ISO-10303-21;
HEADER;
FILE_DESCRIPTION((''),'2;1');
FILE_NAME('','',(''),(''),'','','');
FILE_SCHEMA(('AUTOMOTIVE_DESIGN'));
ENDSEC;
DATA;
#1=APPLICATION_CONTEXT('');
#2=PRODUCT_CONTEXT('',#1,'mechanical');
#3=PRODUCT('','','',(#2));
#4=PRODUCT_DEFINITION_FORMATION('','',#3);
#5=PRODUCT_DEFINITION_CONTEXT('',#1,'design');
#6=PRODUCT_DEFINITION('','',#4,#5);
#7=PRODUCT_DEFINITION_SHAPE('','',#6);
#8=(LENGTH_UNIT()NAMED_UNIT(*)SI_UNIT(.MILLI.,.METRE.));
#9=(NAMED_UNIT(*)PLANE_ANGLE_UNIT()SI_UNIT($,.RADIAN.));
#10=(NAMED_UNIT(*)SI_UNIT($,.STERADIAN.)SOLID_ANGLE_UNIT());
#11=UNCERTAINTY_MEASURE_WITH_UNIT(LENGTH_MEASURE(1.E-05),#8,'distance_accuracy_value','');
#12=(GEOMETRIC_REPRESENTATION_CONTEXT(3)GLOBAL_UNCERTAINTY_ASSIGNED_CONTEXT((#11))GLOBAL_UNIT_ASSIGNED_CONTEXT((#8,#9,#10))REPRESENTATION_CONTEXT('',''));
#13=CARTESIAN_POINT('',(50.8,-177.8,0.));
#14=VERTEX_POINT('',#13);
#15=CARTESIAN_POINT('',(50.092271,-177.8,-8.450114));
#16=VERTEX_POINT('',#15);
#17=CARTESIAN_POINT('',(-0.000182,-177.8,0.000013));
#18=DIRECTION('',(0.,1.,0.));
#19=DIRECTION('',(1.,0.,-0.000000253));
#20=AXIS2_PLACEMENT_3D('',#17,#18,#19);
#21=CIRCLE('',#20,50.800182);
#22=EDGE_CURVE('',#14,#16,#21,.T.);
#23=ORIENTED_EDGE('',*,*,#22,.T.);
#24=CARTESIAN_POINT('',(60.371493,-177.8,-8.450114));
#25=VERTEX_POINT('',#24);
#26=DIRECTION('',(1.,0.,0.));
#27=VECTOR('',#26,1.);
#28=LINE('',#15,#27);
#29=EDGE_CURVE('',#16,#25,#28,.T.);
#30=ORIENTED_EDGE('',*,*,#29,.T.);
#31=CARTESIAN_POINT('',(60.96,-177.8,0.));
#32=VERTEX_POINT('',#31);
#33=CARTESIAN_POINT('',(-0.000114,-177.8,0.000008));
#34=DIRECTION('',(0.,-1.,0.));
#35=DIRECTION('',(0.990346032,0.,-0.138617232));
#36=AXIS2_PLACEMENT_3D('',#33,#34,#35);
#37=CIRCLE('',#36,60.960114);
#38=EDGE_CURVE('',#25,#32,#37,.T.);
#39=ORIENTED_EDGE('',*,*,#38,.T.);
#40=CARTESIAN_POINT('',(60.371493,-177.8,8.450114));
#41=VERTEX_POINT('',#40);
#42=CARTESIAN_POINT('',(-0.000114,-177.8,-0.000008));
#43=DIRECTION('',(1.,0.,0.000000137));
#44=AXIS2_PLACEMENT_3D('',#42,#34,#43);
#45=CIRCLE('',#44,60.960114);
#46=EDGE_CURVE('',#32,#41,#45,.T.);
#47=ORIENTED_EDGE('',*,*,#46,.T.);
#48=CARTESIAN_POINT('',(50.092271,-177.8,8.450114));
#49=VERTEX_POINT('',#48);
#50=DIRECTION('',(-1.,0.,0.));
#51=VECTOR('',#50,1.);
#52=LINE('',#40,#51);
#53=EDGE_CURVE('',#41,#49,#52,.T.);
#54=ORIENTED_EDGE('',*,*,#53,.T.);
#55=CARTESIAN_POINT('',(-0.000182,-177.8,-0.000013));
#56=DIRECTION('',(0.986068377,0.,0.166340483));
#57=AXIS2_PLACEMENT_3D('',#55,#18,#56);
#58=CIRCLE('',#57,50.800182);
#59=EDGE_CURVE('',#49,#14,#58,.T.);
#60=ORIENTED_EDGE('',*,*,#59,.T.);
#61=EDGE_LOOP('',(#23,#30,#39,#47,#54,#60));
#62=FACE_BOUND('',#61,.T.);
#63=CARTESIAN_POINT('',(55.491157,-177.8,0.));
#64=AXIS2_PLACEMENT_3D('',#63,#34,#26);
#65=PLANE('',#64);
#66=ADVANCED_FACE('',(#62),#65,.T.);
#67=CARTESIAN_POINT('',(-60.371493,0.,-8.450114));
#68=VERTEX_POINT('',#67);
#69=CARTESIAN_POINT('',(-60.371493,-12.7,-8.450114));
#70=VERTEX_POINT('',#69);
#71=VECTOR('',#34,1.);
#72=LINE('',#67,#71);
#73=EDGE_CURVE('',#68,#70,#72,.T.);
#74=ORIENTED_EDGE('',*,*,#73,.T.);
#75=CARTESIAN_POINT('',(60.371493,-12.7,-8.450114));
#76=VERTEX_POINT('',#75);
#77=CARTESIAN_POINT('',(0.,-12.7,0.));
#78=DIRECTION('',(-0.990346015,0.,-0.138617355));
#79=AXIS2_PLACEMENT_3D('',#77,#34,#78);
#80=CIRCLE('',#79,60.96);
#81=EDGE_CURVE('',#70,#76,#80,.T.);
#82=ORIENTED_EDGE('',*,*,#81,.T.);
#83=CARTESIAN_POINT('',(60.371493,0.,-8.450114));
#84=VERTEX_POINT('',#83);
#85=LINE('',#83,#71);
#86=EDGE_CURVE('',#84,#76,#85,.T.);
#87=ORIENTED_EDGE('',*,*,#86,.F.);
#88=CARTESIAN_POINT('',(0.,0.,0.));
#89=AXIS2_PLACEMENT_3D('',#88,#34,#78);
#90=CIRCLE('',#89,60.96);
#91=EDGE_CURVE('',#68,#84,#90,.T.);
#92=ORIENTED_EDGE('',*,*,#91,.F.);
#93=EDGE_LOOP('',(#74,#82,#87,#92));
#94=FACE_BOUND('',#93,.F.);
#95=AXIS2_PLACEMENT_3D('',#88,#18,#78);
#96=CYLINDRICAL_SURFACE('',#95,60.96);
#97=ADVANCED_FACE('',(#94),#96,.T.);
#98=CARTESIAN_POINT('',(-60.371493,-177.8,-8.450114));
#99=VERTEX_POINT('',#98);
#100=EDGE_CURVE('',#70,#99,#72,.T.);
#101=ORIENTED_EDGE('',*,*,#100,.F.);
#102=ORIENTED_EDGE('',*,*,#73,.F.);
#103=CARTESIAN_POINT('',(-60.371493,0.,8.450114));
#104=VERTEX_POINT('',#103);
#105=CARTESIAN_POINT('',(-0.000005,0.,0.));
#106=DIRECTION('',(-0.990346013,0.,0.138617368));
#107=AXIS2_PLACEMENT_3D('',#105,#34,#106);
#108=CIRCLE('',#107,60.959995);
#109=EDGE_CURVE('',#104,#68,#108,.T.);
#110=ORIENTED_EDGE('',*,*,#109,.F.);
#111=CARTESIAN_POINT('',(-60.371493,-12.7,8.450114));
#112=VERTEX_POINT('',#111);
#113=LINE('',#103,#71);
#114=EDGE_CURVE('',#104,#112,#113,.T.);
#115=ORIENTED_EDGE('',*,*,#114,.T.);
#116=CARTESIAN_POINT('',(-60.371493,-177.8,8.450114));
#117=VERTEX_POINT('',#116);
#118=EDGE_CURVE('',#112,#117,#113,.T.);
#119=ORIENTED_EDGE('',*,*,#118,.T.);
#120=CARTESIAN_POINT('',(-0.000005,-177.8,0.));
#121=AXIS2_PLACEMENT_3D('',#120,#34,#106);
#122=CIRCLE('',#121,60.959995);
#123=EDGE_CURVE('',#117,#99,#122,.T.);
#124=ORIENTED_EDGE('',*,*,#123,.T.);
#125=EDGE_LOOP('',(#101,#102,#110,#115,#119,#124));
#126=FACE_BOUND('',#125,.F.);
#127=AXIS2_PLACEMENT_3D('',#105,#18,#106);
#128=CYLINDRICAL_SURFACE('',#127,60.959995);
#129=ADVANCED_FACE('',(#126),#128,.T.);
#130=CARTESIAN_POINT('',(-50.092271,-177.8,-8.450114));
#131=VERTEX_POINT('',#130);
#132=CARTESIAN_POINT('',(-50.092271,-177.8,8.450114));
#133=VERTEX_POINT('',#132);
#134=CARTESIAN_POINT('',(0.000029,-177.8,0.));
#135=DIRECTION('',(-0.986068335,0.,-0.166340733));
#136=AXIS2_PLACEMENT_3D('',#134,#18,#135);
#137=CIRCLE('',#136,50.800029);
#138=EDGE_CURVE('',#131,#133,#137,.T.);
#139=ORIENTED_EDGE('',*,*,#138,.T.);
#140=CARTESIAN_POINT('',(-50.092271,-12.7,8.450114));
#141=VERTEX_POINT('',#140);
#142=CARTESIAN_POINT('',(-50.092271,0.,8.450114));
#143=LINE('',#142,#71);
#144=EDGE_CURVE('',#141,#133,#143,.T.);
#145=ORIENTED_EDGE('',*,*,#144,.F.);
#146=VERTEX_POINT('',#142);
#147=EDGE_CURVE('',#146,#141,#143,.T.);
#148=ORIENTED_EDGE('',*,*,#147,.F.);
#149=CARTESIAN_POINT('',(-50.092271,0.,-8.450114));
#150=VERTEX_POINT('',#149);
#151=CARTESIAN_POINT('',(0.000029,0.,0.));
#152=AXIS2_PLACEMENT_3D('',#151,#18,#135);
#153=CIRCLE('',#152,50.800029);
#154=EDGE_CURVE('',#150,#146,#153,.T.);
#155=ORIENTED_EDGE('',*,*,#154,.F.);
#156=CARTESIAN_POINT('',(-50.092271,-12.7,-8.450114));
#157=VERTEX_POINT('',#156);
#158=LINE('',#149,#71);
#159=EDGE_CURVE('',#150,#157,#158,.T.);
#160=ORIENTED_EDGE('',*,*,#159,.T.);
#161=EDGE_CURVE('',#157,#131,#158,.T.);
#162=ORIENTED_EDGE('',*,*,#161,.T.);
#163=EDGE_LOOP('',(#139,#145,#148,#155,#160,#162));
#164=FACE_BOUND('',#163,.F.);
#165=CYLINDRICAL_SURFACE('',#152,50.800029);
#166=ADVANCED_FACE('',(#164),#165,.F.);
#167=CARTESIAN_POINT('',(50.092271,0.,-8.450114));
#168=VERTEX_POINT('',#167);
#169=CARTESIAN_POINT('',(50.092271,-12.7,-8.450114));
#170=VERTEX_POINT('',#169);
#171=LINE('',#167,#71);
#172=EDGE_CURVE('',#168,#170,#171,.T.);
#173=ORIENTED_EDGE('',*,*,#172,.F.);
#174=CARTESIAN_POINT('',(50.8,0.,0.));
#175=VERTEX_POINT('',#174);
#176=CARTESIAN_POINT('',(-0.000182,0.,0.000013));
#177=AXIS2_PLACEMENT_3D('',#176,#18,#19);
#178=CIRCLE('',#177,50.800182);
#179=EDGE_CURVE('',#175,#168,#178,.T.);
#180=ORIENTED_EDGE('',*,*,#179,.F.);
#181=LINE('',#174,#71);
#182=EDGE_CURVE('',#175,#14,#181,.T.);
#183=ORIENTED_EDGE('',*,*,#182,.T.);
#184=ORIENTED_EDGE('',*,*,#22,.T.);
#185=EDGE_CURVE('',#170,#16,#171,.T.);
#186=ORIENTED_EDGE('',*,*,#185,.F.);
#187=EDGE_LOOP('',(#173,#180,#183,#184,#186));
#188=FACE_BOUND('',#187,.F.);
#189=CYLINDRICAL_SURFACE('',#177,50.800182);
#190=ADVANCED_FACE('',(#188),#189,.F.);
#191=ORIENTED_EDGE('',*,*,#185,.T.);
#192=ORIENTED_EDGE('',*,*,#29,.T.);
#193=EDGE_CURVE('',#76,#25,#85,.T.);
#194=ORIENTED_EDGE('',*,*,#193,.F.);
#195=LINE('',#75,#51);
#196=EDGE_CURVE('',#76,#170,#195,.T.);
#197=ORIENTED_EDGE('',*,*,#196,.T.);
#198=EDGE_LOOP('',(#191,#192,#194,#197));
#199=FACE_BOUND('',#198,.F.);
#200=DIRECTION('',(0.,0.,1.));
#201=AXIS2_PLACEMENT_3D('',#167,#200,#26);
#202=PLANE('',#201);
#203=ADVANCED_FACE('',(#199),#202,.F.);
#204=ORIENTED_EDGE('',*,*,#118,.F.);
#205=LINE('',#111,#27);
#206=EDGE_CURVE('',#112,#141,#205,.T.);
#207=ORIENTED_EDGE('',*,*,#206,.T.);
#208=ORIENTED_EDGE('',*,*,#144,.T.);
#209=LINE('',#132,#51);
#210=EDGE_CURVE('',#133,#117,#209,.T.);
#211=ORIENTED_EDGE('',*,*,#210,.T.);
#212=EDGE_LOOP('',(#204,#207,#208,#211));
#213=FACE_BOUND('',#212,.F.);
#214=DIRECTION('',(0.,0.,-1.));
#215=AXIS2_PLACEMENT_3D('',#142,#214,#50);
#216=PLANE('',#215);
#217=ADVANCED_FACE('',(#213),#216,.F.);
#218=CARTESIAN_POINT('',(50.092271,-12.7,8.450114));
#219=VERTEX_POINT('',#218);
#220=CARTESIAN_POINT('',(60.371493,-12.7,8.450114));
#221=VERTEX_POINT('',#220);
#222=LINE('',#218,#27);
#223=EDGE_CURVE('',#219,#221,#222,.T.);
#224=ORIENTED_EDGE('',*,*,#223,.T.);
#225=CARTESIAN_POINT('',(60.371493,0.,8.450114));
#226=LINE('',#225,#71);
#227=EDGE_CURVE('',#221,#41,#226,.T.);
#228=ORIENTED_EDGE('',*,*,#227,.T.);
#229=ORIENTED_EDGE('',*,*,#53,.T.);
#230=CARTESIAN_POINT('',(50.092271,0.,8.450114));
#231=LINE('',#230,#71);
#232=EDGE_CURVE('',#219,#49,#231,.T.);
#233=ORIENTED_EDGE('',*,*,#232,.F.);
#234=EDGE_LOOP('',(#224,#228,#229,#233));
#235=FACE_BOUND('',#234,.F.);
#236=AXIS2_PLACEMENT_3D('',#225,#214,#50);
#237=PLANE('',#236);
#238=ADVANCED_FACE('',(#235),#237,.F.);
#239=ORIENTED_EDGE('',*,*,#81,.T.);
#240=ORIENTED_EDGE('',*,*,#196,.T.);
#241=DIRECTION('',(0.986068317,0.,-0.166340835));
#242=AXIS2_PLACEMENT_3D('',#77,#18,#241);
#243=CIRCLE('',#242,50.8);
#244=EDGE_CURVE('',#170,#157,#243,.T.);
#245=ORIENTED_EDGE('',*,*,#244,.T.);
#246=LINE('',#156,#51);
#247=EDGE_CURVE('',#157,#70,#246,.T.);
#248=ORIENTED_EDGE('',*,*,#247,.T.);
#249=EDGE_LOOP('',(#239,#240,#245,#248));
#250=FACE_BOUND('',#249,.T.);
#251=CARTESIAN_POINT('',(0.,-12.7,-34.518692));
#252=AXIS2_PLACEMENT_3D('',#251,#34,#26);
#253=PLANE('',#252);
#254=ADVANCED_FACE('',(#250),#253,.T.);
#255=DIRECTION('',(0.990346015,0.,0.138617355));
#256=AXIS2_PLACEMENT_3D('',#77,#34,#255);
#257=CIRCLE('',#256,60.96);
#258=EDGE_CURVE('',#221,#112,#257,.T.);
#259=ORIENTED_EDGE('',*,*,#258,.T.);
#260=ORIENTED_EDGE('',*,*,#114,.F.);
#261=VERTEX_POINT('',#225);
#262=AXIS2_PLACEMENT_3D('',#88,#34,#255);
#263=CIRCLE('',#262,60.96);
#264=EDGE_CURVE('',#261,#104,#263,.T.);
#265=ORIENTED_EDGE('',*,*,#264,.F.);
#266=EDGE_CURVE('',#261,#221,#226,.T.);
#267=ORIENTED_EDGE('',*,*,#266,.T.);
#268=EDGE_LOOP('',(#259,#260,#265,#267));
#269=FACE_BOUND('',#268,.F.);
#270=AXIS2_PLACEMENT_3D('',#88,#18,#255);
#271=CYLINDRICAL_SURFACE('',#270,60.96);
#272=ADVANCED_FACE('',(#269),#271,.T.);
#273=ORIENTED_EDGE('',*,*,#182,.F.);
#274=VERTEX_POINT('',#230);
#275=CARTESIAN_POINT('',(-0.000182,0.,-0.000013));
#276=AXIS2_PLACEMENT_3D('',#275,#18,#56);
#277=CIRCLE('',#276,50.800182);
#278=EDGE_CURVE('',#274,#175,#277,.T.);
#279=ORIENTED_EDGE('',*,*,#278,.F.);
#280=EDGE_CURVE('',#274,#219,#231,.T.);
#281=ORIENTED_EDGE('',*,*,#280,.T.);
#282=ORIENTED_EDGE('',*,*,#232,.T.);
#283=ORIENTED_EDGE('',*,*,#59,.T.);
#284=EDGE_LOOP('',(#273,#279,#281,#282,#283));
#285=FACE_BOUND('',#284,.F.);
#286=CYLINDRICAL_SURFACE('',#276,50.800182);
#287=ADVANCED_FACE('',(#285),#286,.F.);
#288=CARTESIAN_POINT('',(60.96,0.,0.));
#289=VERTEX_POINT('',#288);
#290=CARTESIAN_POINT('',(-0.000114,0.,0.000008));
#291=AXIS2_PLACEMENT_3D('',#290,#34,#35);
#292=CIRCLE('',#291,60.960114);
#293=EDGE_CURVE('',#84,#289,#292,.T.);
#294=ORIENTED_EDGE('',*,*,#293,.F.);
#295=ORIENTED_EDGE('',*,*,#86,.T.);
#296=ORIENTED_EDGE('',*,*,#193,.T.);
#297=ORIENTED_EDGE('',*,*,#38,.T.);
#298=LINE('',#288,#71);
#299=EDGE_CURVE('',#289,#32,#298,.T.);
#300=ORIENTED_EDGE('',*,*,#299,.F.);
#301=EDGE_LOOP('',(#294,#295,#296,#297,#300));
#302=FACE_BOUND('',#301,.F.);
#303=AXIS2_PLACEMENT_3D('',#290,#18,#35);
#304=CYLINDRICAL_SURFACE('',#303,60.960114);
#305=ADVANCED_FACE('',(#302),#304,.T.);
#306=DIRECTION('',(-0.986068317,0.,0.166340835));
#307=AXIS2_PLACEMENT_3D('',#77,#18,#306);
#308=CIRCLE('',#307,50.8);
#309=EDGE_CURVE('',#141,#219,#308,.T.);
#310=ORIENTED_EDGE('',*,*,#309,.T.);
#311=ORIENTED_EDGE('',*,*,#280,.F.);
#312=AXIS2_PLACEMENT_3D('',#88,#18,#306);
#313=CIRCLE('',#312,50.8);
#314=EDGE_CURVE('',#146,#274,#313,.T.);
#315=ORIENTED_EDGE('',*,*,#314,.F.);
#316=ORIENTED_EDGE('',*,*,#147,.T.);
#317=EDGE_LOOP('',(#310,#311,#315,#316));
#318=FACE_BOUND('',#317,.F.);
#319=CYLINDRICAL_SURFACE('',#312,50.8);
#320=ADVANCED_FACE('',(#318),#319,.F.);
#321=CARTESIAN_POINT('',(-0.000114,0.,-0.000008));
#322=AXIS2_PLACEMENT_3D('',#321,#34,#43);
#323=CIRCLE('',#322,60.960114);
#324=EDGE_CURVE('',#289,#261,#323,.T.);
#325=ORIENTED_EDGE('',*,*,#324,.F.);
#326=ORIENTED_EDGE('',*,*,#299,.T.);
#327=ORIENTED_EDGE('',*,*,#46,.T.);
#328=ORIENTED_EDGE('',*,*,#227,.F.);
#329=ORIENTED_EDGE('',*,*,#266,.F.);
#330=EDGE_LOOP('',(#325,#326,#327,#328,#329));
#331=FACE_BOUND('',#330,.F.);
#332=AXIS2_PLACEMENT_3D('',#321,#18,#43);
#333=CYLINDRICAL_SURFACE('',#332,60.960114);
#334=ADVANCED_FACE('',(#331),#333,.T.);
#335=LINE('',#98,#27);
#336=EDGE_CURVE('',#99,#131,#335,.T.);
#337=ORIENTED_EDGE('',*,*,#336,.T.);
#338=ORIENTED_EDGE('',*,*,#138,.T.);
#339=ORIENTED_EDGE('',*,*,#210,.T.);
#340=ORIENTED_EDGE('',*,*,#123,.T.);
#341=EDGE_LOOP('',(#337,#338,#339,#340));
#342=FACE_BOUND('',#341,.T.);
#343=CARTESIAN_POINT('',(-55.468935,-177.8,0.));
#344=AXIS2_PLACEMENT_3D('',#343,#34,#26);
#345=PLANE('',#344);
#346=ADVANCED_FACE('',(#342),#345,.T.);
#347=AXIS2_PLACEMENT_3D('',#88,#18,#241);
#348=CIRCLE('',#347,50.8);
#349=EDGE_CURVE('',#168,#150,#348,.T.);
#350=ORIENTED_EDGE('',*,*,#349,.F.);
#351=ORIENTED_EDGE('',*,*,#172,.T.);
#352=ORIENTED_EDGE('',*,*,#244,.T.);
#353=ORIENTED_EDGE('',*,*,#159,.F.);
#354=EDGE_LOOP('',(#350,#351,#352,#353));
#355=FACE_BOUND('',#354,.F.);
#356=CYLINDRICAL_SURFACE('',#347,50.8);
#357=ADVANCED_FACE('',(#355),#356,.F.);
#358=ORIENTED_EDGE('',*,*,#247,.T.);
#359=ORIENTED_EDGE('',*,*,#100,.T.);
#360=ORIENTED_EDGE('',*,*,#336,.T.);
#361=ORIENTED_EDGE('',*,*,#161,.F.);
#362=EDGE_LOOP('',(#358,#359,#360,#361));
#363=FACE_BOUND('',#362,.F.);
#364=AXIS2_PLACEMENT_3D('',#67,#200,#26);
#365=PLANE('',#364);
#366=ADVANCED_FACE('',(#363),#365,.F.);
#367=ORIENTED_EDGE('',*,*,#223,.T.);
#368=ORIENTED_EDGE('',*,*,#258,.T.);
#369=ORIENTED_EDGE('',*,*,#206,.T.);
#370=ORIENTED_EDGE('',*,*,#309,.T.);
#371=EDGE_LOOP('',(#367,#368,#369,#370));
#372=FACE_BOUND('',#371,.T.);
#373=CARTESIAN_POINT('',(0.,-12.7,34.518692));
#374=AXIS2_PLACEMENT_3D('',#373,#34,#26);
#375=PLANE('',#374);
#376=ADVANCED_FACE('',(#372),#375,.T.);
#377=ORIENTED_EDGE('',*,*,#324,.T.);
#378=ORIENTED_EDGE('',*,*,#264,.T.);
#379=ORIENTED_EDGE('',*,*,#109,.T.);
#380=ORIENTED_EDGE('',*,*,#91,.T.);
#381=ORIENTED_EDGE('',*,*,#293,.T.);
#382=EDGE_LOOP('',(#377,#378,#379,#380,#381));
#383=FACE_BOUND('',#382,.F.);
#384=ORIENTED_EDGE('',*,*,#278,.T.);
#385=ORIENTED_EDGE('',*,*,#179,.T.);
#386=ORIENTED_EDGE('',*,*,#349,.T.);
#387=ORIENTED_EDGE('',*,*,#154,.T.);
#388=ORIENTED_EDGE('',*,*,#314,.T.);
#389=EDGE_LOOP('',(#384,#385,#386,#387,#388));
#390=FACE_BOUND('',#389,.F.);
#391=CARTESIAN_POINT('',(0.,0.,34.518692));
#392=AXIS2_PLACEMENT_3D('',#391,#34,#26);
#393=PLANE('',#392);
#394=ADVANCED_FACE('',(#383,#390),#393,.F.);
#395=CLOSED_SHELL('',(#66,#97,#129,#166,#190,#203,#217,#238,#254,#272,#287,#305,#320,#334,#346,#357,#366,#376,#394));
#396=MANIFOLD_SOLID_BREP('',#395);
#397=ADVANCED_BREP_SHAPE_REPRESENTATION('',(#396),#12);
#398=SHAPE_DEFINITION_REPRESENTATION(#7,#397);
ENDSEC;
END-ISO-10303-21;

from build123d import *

# Parameters (mm, degrees)
F1_DEPTH = 177.8
F2_DEPTH = 12.7


with BuildPart() as f1:
    # F0 (on Front) → F1 (new body)
    with BuildSketch(Plane.XZ):
        with BuildLine():
            Line((-50.092271, 8.450114), (-60.371493, 8.450114))
            ThreePointArc((-60.371493, 8.450114), (-60.96, 0), (-60.371493, -8.450114))
            Line((-60.371493, -8.450114), (-50.092271, -8.450114))
            ThreePointArc((-50.092271, -8.450114), (-50.8, 0), (-50.092271, 8.450114))
        make_face()
        with BuildLine():
            ThreePointArc((60.371493, -8.450114), (60.812695, -4.235291), (60.96, 0))
            ThreePointArc((60.96, 0), (60.812695, 4.235291), (60.371493, 8.450114))
            Line((60.371493, 8.450114), (50.092271, 8.450114))
            ThreePointArc((50.092271, 8.450114), (50.622758, 4.23985), (50.8, 0))
            ThreePointArc((50.8, 0), (50.622758, -4.23985), (50.092271, -8.450114))
            Line((50.092271, -8.450114), (60.371493, -8.450114))
        make_face()
    extrude(amount=F1_DEPTH)

    # F0 (on Front) → F2 (join)
    with BuildSketch(Plane.XZ):
        with BuildLine():
            Line((50.092271, 8.450114), (60.371493, 8.450114))
            ThreePointArc((60.371493, 8.450114), (0, 60.96), (-60.371493, 8.450114))
            Line((-60.371493, 8.450114), (-50.092271, 8.450114))
            ThreePointArc((-50.092271, 8.450114), (0, 50.8), (50.092271, 8.450114))
        make_face()
        with BuildLine():
            ThreePointArc((-60.371493, -8.450114), (0, -60.96), (60.371493, -8.450114))
            Line((60.371493, -8.450114), (50.092271, -8.450114))
            ThreePointArc((50.092271, -8.450114), (0, -50.8), (-50.092271, -8.450114))
            Line((-50.092271, -8.450114), (-60.371493, -8.450114))
        make_face()
    extrude(amount=F2_DEPTH)


solid = f1.part
